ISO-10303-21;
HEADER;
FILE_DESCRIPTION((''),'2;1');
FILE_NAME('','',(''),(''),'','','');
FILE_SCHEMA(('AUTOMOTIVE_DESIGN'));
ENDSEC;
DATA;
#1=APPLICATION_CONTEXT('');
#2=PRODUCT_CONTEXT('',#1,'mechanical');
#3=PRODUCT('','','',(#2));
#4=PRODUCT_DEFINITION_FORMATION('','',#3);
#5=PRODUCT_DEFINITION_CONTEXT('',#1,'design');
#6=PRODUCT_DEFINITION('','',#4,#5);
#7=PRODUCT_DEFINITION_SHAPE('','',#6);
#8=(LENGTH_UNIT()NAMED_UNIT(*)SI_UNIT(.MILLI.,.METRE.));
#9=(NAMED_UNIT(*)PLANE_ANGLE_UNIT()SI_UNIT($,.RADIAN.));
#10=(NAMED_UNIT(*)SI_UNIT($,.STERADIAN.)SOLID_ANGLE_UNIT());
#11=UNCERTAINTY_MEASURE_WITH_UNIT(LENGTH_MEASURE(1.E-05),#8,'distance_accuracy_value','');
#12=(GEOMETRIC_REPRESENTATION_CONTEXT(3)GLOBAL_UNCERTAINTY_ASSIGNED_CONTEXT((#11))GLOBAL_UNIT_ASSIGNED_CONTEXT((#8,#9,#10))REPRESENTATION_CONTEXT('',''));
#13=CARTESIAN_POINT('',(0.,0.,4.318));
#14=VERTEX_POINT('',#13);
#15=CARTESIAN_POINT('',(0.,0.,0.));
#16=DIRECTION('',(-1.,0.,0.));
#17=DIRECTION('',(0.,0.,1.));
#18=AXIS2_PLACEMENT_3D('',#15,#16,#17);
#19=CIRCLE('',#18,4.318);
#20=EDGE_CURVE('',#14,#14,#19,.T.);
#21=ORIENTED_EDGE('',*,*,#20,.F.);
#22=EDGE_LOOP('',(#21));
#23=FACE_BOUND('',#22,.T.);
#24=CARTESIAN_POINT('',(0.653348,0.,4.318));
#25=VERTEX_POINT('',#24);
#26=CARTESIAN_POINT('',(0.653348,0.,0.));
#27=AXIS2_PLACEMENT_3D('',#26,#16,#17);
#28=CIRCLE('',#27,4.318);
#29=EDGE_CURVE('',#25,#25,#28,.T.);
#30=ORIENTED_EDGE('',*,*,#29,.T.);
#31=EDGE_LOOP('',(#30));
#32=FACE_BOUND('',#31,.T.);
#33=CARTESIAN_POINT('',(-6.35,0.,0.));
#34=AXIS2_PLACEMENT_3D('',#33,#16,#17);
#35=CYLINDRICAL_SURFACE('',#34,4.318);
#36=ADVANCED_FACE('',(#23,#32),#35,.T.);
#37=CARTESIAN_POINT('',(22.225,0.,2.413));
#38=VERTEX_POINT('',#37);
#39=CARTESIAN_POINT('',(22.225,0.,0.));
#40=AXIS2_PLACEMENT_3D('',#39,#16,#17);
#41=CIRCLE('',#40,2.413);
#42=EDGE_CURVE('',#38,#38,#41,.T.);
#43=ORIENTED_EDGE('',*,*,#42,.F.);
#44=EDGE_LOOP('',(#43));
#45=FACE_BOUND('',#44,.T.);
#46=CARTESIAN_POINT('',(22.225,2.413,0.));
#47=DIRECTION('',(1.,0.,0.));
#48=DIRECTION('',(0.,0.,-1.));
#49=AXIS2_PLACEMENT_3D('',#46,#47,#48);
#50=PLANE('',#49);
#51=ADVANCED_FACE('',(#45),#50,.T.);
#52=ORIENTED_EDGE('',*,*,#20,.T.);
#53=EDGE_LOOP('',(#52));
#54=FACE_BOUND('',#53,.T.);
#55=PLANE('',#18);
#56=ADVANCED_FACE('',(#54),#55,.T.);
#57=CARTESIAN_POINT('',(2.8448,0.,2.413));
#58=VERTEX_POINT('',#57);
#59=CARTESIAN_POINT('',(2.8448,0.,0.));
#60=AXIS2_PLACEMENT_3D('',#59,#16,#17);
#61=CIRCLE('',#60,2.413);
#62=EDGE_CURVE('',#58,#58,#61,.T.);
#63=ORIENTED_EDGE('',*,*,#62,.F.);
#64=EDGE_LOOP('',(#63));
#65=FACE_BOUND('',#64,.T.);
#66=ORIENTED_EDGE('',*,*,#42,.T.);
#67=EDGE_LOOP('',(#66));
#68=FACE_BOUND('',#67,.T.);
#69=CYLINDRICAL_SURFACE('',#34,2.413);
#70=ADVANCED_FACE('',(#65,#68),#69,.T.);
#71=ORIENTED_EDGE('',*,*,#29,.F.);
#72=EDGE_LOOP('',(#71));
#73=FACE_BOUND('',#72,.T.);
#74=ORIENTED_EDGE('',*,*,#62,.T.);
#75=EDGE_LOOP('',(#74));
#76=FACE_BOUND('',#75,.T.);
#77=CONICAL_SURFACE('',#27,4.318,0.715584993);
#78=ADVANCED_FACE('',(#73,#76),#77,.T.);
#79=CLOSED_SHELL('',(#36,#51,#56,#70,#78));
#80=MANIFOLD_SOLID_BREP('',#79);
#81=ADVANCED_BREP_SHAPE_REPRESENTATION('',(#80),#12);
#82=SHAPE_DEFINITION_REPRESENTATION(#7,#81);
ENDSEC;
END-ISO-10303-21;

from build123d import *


with BuildPart() as part:
    # BodySke → Base-Revolve (revolve)
    with BuildSketch(Plane.XY):
        Polygon((0, 0), (0, 4.318), (0.653348184, 4.318), (2.8448, 2.413), (22.225, 2.413), (22.225, 0), align=None)
    revolve(axis=Axis((-6.35, 0, 0), (1, 0, 0)))


solid = part.part
